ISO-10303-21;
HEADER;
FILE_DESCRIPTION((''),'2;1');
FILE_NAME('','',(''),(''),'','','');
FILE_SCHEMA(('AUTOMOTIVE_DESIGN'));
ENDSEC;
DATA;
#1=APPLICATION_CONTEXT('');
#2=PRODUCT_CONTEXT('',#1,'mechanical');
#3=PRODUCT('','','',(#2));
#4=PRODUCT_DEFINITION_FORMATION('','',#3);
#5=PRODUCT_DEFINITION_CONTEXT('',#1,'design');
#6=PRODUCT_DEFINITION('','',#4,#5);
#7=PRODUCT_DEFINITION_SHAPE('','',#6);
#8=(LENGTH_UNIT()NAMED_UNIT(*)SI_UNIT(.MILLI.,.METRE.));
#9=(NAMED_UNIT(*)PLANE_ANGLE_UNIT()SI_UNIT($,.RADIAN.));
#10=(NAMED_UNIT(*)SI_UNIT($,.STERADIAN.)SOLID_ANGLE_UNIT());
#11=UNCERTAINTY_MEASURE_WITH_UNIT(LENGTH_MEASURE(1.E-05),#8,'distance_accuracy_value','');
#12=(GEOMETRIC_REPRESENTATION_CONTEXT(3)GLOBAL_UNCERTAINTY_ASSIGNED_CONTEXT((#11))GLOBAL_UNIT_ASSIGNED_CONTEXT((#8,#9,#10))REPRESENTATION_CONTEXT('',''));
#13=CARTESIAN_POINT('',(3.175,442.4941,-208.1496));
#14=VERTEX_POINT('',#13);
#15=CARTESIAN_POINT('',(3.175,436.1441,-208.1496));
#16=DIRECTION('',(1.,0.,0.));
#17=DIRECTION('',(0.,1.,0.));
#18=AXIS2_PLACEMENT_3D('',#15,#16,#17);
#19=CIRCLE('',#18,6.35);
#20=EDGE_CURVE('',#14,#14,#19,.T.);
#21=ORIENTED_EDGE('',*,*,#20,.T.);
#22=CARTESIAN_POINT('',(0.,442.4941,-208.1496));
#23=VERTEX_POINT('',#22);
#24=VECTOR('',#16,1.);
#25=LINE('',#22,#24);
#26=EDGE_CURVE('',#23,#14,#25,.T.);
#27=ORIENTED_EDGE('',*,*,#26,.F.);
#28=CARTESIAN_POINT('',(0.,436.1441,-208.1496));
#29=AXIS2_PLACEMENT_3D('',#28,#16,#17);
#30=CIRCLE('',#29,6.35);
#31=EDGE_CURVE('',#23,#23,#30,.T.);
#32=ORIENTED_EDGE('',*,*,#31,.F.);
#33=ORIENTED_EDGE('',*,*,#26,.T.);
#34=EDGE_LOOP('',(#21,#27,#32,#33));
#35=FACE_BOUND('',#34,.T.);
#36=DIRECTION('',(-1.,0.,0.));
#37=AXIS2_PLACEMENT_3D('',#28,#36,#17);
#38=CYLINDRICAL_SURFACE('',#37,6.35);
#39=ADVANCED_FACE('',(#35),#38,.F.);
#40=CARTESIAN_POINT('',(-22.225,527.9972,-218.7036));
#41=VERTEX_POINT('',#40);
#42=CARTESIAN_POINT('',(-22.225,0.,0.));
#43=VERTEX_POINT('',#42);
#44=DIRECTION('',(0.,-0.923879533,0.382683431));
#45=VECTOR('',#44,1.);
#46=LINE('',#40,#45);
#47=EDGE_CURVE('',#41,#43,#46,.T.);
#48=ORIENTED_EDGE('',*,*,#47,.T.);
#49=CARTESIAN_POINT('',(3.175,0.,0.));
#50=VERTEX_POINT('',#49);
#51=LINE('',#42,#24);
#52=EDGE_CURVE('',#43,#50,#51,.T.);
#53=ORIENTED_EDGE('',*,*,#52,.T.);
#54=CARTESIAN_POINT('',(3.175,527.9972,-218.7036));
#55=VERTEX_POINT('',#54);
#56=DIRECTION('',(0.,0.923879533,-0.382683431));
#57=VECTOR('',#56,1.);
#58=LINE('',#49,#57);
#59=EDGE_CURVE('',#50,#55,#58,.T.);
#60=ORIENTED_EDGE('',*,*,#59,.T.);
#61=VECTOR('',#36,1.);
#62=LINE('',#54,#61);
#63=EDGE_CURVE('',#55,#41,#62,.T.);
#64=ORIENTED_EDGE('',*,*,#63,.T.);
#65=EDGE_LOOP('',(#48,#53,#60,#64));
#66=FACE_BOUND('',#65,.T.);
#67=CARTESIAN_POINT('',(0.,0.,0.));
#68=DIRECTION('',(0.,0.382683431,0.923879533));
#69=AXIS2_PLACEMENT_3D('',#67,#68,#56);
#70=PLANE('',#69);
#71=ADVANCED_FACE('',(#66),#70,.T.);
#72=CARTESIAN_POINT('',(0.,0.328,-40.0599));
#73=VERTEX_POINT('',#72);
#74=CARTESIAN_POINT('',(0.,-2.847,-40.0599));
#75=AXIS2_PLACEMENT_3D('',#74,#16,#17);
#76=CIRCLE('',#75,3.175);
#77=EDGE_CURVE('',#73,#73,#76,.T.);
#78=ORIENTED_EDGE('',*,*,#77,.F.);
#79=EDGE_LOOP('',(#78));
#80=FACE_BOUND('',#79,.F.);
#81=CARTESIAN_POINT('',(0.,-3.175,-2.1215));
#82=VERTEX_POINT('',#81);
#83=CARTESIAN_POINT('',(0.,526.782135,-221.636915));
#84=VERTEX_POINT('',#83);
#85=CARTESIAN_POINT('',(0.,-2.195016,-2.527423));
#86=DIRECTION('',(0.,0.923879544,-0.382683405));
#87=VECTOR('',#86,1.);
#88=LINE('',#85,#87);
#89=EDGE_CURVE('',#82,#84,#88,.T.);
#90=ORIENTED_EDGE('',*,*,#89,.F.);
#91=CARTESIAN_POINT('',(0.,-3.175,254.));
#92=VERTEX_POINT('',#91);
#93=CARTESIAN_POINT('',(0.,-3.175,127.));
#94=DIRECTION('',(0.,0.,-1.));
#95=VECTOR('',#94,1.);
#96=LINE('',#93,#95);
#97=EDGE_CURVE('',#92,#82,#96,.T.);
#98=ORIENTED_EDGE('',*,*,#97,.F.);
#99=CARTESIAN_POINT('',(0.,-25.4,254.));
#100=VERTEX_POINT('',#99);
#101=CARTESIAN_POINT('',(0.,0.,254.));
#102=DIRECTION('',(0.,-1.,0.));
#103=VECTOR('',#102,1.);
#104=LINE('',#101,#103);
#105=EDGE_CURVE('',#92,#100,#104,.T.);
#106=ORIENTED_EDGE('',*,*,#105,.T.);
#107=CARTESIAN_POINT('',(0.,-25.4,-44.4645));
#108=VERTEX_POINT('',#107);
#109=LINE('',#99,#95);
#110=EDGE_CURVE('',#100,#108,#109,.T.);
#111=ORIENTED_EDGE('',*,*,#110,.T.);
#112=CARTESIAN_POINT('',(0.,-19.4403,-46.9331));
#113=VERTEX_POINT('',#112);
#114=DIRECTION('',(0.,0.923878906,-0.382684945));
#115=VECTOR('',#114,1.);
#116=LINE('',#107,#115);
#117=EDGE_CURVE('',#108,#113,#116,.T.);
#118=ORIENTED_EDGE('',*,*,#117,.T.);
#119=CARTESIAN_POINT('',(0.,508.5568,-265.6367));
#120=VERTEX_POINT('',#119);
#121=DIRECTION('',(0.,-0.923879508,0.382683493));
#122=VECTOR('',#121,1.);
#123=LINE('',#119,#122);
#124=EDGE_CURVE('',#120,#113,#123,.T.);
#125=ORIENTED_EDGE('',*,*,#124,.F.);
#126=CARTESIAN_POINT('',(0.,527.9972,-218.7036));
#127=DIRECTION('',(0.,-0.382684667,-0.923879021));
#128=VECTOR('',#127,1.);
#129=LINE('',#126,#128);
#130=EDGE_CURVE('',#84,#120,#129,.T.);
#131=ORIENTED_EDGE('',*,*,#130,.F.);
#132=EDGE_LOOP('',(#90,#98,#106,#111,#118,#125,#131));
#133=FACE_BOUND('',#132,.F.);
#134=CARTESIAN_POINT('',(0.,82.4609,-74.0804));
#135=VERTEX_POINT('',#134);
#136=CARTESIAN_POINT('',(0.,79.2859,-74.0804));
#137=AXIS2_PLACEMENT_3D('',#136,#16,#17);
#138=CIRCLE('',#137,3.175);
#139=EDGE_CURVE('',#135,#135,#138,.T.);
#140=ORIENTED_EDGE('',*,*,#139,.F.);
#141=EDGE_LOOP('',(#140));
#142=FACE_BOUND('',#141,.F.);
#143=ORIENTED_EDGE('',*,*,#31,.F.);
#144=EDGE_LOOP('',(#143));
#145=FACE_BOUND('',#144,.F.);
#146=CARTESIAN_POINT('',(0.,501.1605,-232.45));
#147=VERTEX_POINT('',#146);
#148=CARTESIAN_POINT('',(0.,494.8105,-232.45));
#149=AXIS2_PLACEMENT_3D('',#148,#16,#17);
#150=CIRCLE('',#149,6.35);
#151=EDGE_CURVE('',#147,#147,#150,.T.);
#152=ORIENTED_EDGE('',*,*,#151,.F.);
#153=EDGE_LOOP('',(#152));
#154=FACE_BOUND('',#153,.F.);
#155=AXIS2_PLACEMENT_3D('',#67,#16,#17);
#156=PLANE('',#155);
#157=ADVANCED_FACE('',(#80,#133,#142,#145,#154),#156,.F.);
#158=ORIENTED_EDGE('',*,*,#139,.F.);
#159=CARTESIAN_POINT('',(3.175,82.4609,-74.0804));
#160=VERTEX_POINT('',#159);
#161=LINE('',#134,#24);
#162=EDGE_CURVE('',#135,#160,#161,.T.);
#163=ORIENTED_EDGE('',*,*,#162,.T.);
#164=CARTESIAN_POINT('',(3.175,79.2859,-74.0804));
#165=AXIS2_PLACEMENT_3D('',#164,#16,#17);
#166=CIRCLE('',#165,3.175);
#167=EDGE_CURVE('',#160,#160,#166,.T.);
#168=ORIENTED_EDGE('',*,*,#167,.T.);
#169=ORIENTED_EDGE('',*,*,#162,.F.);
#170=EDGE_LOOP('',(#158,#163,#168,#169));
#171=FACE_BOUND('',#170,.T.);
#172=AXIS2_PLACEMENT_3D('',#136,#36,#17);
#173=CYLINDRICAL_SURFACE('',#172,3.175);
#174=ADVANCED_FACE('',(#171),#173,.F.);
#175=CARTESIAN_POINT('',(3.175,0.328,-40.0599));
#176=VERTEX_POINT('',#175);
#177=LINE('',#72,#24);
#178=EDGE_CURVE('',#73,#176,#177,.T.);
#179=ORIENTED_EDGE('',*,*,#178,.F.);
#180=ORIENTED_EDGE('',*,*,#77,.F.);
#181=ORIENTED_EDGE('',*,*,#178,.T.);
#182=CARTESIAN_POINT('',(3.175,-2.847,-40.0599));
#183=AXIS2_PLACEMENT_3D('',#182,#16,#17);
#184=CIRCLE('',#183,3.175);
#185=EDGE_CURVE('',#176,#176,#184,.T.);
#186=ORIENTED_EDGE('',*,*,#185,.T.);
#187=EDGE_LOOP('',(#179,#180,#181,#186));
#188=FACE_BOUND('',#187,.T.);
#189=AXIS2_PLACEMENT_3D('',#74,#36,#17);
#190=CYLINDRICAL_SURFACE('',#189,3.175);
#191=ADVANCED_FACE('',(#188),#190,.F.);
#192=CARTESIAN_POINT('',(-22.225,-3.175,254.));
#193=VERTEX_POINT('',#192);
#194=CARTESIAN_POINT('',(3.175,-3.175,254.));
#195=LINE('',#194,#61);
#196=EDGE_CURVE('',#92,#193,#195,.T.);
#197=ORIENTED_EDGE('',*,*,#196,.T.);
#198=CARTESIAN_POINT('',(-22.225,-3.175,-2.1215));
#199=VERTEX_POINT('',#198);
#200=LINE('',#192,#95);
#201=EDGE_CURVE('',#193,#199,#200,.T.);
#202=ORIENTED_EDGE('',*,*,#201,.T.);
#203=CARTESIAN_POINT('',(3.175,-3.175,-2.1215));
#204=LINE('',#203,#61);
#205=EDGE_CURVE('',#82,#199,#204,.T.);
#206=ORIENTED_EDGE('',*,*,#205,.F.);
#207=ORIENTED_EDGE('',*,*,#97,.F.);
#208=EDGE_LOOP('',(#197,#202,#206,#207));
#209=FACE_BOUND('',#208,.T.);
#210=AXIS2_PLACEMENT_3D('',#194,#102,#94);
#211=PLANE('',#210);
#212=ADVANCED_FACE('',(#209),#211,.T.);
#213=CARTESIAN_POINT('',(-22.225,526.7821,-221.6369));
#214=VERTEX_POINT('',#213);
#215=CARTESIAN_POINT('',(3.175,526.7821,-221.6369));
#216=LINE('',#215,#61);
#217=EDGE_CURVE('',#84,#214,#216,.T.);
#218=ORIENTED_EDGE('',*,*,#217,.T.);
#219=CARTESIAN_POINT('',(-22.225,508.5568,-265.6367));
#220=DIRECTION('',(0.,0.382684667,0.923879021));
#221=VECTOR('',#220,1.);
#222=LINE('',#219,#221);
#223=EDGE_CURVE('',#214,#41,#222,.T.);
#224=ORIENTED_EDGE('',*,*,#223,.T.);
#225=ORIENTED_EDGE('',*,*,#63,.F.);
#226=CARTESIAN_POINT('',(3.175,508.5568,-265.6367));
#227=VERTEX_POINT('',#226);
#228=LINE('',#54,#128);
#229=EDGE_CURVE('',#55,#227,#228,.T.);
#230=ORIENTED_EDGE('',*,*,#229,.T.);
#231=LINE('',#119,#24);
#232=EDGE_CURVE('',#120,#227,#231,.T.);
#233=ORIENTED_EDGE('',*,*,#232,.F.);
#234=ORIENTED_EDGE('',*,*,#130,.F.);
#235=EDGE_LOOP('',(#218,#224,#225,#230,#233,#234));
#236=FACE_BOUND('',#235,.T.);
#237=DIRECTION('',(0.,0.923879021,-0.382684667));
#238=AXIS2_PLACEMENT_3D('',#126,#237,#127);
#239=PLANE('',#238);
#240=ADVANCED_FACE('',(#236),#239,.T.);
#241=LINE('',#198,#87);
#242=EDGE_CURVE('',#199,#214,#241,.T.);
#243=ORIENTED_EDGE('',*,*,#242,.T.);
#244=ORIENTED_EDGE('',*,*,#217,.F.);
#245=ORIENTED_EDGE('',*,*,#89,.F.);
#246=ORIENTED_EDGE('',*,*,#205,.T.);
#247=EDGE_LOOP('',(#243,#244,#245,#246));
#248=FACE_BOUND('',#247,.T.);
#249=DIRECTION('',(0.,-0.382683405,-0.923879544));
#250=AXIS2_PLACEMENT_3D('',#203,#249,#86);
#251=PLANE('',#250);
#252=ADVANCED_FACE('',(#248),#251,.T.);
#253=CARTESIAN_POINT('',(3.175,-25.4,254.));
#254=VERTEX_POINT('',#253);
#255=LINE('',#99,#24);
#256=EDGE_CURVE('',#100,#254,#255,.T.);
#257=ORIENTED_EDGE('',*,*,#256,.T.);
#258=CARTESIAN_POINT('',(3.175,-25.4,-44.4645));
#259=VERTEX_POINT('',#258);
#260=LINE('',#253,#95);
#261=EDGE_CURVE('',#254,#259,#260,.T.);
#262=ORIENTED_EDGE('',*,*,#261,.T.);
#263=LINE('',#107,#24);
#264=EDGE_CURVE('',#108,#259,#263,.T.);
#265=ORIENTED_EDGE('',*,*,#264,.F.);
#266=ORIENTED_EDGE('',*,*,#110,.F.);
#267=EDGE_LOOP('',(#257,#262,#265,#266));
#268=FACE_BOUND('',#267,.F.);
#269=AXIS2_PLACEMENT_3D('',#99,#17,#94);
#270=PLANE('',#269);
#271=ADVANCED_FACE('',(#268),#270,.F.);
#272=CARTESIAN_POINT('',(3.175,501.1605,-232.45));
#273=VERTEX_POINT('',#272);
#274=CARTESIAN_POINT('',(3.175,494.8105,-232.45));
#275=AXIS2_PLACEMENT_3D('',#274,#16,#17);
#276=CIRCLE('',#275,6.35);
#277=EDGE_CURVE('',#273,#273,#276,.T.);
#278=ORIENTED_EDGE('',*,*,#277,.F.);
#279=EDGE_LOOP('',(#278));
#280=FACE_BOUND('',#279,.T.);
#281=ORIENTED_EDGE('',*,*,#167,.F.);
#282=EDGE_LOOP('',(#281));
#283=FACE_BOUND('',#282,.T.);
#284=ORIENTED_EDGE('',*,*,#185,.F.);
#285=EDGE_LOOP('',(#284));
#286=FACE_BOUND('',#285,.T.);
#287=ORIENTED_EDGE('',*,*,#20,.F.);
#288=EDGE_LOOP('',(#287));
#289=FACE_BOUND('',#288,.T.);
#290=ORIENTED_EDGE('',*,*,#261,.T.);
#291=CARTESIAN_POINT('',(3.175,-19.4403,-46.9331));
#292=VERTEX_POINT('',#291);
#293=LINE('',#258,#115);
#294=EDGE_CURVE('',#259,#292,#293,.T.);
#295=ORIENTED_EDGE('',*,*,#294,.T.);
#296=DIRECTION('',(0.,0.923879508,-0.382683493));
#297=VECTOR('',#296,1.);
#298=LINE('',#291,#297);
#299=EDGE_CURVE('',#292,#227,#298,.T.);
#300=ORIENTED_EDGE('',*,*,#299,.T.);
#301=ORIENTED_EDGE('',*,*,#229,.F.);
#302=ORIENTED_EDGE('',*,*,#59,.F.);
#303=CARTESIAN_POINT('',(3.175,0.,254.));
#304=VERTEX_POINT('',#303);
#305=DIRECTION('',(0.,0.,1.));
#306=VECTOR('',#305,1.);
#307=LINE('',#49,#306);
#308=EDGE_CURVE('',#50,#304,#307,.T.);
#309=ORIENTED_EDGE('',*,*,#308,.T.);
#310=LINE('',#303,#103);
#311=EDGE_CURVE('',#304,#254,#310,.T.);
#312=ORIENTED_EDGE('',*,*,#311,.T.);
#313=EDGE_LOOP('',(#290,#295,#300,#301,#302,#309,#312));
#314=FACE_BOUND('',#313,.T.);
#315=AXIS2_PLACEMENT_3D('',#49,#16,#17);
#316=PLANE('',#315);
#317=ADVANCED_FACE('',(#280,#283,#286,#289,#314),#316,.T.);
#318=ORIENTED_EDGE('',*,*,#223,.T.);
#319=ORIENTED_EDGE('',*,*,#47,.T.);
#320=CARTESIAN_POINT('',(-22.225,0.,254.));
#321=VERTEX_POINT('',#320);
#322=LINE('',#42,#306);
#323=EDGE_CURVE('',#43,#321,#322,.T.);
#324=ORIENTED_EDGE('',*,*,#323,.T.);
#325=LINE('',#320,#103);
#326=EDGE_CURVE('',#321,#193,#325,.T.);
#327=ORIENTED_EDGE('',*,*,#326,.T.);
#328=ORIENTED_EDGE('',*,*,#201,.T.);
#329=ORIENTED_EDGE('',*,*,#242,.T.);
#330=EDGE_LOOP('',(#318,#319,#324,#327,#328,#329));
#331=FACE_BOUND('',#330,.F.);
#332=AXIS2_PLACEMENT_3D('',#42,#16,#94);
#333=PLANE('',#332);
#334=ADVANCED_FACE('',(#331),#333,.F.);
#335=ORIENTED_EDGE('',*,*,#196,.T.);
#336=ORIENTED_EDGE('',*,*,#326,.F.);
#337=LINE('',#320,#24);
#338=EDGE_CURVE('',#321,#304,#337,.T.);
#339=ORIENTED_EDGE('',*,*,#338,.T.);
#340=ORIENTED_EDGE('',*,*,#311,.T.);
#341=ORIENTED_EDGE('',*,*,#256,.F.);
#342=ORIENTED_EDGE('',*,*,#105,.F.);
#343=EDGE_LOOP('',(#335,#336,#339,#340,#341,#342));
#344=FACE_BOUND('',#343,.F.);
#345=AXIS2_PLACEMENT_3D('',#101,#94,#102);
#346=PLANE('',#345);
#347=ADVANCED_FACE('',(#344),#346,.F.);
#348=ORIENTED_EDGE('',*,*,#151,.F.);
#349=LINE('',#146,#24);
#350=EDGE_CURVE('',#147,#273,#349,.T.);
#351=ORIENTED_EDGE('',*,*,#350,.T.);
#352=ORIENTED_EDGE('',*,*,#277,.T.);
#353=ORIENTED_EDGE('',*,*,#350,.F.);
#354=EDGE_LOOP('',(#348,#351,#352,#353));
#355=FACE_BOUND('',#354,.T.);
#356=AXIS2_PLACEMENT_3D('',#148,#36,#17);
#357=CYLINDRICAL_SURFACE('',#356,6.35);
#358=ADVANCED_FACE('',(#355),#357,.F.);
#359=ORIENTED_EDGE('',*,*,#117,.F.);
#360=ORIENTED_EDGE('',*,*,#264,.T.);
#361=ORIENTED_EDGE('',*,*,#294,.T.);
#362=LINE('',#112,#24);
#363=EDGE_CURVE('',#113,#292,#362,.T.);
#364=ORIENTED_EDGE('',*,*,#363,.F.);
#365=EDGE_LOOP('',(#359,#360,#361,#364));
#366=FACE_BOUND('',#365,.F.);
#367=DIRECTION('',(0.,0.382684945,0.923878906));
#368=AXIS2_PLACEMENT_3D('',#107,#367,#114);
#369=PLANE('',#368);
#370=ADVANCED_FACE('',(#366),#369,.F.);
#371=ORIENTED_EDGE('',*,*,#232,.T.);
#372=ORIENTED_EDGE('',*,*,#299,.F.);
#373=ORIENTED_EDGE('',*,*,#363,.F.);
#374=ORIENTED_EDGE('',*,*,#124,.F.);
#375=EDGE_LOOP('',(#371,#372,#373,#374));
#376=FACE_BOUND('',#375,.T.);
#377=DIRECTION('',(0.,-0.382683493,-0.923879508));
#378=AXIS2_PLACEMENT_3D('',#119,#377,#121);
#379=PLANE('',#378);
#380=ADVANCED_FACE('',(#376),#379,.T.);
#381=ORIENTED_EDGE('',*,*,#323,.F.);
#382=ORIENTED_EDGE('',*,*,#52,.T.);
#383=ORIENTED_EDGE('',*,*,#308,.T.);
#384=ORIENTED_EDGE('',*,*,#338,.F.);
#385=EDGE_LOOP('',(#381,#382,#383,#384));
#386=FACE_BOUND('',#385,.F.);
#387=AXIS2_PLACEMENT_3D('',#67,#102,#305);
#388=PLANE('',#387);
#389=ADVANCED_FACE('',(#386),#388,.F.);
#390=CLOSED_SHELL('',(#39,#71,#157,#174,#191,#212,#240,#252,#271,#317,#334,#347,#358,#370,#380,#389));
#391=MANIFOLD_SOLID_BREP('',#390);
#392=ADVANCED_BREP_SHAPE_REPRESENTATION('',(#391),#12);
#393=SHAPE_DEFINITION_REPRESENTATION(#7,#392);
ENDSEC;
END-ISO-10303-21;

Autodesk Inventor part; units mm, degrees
ref_plane "YZ Plane" through (0, 0, 0) normal (1, 0, 0) x (0, 1, 0)
ref_plane "XZ Plane" through (0, 0, 0) normal (0, 1, 0) x (-1, 0, 0)
ref_plane "XY Plane" through (0, 0, 0) normal (0, 0, 1) x (1, 0, 0)
sketch "Sketch1" plane through (0, 0, 0) normal (1, 0, 0) x (0, 1, 0)
  line L0 (0, 0) -> (0, 254)
  line L1 (0, 0) -> (254, 0) construction
  line L2 (0, 0) -> (527.9972, -218.7036)
  line L3 (0, 0) -> (571.5, 0) construction
  line L4 (0, 254) -> (-25.4, 254)
  line L5 (0, 254) -> (25.4, 254) construction
  line L6 (527.9972, -218.7036) -> (508.5568, -265.6367)
  line L7 (527.9972, -218.7036) -> (578.7972, -218.7036) construction
  line L8 (508.5568, -265.6367) -> (-19.4403, -46.9331)
  line L9 (-19.4403, -46.9331) -> (-6.7403, -46.9331) construction
  line L10 (-25.4, 254) -> (-25.4, -44.4645)
  line L11 (-25.4, 254) -> (273.0645, 254) construction
  line L12 (-25.4, -44.4645) -> (-19.4403, -46.9331)
  line L13 (518.277, -242.1701) -> (543.677, -242.1701) construction
  circle A0 centre (494.8105, -232.45) radius 6.35
  circle A1 centre (436.1441, -208.1496) radius 6.35
  line L14 (-19.4403, -46.9331) -> (-14.5802, -35.1998)
  line L15 (126.219, -93.5208) -> (121.3589, -105.254)
  line L16 (-14.5802, -35.1998) -> (-1.8802, -35.1998) construction
  line L17 (-2.847, -40.0599) -> (86.053, -40.0599) construction
  circle A2 centre (79.2859, -74.0804) radius 3.175
  circle A3 centre (-2.847, -40.0599) radius 3.175
  dimension "d0" = 254
  dimension "d1" = 90
  dimension "d2" = 571.5
  dimension "d3" = 22.5
  dimension "d4" = 25.4
  dimension "d5" = 180
  dimension "d6" = 50.8
  dimension "d7" = 112.5
  dimension "d8" = 571.5
  dimension "d9" = 90
  dimension "d12" = 90
  dimension "d17" = 12.7
  dimension "d18" = 12.7
  dimension "d19" = 12.7
  dimension "d20" = 152.4
  dimension "d22" = 12.7
  dimension "d26" = 6.35
  dimension "d27" = 6.35
extrude "Extrusion1" add sketch "Sketch1" along normal blind 3.175
sketch "Sketch2" plane through (3.175, 0, 0) normal (1, 0, 0) x (0, 0, -1)
  line L0 (0, 0) -> (-254, 0) projected
  line L1 (265.6367, 508.5568) -> (218.7036, 527.9972) projected
  line L2 (218.7036, 527.9972) -> (0, 0) projected
  line L3 (218.7036, 527.9972) -> (221.6369, 526.7821)
  line L4 (218.7036, 527.9972) -> (221.8786, 527.9972) construction
  line L5 (-254, 0) -> (-254, -3.175)
  line L6 (-254, 0) -> (-250.825, 0) construction
  line L7 (-254, -3.175) -> (2.1215, -3.175)
  line L8 (2.1215, -3.175) -> (221.6369, 526.7821)
  dimension "d30" = 3.175
  dimension "d31" = 22.5
  dimension "d33" = 3.175
  dimension "d34" = 90
  dimension "d35" = 90
extrude "Extrusion2" add sketch "Sketch2" against normal blind 25.4
properties part number "CatapultArmZ-Right"
